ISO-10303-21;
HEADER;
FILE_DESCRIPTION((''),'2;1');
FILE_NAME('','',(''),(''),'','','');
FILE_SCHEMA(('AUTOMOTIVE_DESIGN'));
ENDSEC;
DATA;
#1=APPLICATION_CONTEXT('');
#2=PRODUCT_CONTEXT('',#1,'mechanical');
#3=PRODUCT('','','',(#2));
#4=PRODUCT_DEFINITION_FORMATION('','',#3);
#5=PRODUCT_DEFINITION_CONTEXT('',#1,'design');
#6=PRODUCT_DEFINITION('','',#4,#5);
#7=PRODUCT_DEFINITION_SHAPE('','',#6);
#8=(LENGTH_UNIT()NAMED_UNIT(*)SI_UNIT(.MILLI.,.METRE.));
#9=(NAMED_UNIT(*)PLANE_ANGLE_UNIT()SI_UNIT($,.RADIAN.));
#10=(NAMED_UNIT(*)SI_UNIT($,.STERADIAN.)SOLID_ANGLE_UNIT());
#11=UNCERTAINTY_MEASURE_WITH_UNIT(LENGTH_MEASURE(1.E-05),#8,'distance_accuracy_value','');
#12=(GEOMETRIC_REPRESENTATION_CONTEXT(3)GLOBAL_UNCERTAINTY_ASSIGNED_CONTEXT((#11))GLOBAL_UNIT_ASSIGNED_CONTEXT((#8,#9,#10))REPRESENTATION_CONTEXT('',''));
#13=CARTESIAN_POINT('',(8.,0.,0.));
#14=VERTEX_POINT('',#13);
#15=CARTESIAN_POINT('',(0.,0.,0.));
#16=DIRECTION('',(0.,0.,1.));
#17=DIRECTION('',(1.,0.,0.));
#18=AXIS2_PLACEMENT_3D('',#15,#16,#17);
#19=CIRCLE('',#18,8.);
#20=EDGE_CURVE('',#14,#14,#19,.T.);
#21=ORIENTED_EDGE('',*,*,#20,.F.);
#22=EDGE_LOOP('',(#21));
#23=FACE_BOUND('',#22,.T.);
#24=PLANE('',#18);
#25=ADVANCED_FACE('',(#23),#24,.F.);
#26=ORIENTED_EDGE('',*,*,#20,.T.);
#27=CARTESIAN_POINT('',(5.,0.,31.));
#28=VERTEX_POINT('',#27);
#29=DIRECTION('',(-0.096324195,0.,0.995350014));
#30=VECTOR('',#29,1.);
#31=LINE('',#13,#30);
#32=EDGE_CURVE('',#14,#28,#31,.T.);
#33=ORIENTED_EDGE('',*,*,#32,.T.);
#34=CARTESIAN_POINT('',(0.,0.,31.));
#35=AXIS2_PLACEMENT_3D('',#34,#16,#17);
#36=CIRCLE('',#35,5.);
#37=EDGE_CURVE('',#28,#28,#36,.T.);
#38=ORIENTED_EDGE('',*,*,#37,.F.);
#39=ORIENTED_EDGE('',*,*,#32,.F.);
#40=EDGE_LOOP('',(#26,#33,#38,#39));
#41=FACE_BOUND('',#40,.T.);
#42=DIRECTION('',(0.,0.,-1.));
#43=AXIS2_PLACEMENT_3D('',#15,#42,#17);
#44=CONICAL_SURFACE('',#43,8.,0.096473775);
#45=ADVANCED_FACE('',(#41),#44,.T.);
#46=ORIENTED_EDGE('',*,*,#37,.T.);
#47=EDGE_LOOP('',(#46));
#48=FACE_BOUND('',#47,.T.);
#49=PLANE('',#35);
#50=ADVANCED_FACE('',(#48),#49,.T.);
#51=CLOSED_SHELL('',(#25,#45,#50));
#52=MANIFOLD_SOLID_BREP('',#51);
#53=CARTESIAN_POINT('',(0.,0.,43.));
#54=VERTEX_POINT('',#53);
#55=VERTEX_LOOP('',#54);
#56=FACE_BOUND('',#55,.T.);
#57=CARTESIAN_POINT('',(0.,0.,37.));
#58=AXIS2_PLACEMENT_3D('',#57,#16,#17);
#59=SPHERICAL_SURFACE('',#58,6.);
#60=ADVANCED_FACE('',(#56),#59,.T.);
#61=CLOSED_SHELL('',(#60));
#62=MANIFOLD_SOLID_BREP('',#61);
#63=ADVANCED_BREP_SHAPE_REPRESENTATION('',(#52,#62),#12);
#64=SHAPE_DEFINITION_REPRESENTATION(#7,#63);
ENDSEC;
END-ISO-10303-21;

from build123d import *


with BuildPart() as body:
    # Sketch → Revolution (revolve)
    with BuildSketch(Plane.XZ):
        Polygon((0, 0), (8, 0), (5, 31), (0, 31), align=None)
    revolve(axis=Axis((0, 0, 0), (0, 0, 1)))


with BuildPart() as sphere:
    # Sphere → Sphere (revolve)
    with BuildSketch(Plane(origin=(0, 0, 37), x_dir=(1, 0, 0), z_dir=(0, -1, 0))):
        with BuildLine():
            ThreePointArc((0, -6), (6, 0), (0, 6))
            Line((0, 6), (0, -6))
        make_face()
    revolve(axis=Axis((0, 0, 37), (0, 0, 1)))


solid = Compound([body.part, sphere.part])
